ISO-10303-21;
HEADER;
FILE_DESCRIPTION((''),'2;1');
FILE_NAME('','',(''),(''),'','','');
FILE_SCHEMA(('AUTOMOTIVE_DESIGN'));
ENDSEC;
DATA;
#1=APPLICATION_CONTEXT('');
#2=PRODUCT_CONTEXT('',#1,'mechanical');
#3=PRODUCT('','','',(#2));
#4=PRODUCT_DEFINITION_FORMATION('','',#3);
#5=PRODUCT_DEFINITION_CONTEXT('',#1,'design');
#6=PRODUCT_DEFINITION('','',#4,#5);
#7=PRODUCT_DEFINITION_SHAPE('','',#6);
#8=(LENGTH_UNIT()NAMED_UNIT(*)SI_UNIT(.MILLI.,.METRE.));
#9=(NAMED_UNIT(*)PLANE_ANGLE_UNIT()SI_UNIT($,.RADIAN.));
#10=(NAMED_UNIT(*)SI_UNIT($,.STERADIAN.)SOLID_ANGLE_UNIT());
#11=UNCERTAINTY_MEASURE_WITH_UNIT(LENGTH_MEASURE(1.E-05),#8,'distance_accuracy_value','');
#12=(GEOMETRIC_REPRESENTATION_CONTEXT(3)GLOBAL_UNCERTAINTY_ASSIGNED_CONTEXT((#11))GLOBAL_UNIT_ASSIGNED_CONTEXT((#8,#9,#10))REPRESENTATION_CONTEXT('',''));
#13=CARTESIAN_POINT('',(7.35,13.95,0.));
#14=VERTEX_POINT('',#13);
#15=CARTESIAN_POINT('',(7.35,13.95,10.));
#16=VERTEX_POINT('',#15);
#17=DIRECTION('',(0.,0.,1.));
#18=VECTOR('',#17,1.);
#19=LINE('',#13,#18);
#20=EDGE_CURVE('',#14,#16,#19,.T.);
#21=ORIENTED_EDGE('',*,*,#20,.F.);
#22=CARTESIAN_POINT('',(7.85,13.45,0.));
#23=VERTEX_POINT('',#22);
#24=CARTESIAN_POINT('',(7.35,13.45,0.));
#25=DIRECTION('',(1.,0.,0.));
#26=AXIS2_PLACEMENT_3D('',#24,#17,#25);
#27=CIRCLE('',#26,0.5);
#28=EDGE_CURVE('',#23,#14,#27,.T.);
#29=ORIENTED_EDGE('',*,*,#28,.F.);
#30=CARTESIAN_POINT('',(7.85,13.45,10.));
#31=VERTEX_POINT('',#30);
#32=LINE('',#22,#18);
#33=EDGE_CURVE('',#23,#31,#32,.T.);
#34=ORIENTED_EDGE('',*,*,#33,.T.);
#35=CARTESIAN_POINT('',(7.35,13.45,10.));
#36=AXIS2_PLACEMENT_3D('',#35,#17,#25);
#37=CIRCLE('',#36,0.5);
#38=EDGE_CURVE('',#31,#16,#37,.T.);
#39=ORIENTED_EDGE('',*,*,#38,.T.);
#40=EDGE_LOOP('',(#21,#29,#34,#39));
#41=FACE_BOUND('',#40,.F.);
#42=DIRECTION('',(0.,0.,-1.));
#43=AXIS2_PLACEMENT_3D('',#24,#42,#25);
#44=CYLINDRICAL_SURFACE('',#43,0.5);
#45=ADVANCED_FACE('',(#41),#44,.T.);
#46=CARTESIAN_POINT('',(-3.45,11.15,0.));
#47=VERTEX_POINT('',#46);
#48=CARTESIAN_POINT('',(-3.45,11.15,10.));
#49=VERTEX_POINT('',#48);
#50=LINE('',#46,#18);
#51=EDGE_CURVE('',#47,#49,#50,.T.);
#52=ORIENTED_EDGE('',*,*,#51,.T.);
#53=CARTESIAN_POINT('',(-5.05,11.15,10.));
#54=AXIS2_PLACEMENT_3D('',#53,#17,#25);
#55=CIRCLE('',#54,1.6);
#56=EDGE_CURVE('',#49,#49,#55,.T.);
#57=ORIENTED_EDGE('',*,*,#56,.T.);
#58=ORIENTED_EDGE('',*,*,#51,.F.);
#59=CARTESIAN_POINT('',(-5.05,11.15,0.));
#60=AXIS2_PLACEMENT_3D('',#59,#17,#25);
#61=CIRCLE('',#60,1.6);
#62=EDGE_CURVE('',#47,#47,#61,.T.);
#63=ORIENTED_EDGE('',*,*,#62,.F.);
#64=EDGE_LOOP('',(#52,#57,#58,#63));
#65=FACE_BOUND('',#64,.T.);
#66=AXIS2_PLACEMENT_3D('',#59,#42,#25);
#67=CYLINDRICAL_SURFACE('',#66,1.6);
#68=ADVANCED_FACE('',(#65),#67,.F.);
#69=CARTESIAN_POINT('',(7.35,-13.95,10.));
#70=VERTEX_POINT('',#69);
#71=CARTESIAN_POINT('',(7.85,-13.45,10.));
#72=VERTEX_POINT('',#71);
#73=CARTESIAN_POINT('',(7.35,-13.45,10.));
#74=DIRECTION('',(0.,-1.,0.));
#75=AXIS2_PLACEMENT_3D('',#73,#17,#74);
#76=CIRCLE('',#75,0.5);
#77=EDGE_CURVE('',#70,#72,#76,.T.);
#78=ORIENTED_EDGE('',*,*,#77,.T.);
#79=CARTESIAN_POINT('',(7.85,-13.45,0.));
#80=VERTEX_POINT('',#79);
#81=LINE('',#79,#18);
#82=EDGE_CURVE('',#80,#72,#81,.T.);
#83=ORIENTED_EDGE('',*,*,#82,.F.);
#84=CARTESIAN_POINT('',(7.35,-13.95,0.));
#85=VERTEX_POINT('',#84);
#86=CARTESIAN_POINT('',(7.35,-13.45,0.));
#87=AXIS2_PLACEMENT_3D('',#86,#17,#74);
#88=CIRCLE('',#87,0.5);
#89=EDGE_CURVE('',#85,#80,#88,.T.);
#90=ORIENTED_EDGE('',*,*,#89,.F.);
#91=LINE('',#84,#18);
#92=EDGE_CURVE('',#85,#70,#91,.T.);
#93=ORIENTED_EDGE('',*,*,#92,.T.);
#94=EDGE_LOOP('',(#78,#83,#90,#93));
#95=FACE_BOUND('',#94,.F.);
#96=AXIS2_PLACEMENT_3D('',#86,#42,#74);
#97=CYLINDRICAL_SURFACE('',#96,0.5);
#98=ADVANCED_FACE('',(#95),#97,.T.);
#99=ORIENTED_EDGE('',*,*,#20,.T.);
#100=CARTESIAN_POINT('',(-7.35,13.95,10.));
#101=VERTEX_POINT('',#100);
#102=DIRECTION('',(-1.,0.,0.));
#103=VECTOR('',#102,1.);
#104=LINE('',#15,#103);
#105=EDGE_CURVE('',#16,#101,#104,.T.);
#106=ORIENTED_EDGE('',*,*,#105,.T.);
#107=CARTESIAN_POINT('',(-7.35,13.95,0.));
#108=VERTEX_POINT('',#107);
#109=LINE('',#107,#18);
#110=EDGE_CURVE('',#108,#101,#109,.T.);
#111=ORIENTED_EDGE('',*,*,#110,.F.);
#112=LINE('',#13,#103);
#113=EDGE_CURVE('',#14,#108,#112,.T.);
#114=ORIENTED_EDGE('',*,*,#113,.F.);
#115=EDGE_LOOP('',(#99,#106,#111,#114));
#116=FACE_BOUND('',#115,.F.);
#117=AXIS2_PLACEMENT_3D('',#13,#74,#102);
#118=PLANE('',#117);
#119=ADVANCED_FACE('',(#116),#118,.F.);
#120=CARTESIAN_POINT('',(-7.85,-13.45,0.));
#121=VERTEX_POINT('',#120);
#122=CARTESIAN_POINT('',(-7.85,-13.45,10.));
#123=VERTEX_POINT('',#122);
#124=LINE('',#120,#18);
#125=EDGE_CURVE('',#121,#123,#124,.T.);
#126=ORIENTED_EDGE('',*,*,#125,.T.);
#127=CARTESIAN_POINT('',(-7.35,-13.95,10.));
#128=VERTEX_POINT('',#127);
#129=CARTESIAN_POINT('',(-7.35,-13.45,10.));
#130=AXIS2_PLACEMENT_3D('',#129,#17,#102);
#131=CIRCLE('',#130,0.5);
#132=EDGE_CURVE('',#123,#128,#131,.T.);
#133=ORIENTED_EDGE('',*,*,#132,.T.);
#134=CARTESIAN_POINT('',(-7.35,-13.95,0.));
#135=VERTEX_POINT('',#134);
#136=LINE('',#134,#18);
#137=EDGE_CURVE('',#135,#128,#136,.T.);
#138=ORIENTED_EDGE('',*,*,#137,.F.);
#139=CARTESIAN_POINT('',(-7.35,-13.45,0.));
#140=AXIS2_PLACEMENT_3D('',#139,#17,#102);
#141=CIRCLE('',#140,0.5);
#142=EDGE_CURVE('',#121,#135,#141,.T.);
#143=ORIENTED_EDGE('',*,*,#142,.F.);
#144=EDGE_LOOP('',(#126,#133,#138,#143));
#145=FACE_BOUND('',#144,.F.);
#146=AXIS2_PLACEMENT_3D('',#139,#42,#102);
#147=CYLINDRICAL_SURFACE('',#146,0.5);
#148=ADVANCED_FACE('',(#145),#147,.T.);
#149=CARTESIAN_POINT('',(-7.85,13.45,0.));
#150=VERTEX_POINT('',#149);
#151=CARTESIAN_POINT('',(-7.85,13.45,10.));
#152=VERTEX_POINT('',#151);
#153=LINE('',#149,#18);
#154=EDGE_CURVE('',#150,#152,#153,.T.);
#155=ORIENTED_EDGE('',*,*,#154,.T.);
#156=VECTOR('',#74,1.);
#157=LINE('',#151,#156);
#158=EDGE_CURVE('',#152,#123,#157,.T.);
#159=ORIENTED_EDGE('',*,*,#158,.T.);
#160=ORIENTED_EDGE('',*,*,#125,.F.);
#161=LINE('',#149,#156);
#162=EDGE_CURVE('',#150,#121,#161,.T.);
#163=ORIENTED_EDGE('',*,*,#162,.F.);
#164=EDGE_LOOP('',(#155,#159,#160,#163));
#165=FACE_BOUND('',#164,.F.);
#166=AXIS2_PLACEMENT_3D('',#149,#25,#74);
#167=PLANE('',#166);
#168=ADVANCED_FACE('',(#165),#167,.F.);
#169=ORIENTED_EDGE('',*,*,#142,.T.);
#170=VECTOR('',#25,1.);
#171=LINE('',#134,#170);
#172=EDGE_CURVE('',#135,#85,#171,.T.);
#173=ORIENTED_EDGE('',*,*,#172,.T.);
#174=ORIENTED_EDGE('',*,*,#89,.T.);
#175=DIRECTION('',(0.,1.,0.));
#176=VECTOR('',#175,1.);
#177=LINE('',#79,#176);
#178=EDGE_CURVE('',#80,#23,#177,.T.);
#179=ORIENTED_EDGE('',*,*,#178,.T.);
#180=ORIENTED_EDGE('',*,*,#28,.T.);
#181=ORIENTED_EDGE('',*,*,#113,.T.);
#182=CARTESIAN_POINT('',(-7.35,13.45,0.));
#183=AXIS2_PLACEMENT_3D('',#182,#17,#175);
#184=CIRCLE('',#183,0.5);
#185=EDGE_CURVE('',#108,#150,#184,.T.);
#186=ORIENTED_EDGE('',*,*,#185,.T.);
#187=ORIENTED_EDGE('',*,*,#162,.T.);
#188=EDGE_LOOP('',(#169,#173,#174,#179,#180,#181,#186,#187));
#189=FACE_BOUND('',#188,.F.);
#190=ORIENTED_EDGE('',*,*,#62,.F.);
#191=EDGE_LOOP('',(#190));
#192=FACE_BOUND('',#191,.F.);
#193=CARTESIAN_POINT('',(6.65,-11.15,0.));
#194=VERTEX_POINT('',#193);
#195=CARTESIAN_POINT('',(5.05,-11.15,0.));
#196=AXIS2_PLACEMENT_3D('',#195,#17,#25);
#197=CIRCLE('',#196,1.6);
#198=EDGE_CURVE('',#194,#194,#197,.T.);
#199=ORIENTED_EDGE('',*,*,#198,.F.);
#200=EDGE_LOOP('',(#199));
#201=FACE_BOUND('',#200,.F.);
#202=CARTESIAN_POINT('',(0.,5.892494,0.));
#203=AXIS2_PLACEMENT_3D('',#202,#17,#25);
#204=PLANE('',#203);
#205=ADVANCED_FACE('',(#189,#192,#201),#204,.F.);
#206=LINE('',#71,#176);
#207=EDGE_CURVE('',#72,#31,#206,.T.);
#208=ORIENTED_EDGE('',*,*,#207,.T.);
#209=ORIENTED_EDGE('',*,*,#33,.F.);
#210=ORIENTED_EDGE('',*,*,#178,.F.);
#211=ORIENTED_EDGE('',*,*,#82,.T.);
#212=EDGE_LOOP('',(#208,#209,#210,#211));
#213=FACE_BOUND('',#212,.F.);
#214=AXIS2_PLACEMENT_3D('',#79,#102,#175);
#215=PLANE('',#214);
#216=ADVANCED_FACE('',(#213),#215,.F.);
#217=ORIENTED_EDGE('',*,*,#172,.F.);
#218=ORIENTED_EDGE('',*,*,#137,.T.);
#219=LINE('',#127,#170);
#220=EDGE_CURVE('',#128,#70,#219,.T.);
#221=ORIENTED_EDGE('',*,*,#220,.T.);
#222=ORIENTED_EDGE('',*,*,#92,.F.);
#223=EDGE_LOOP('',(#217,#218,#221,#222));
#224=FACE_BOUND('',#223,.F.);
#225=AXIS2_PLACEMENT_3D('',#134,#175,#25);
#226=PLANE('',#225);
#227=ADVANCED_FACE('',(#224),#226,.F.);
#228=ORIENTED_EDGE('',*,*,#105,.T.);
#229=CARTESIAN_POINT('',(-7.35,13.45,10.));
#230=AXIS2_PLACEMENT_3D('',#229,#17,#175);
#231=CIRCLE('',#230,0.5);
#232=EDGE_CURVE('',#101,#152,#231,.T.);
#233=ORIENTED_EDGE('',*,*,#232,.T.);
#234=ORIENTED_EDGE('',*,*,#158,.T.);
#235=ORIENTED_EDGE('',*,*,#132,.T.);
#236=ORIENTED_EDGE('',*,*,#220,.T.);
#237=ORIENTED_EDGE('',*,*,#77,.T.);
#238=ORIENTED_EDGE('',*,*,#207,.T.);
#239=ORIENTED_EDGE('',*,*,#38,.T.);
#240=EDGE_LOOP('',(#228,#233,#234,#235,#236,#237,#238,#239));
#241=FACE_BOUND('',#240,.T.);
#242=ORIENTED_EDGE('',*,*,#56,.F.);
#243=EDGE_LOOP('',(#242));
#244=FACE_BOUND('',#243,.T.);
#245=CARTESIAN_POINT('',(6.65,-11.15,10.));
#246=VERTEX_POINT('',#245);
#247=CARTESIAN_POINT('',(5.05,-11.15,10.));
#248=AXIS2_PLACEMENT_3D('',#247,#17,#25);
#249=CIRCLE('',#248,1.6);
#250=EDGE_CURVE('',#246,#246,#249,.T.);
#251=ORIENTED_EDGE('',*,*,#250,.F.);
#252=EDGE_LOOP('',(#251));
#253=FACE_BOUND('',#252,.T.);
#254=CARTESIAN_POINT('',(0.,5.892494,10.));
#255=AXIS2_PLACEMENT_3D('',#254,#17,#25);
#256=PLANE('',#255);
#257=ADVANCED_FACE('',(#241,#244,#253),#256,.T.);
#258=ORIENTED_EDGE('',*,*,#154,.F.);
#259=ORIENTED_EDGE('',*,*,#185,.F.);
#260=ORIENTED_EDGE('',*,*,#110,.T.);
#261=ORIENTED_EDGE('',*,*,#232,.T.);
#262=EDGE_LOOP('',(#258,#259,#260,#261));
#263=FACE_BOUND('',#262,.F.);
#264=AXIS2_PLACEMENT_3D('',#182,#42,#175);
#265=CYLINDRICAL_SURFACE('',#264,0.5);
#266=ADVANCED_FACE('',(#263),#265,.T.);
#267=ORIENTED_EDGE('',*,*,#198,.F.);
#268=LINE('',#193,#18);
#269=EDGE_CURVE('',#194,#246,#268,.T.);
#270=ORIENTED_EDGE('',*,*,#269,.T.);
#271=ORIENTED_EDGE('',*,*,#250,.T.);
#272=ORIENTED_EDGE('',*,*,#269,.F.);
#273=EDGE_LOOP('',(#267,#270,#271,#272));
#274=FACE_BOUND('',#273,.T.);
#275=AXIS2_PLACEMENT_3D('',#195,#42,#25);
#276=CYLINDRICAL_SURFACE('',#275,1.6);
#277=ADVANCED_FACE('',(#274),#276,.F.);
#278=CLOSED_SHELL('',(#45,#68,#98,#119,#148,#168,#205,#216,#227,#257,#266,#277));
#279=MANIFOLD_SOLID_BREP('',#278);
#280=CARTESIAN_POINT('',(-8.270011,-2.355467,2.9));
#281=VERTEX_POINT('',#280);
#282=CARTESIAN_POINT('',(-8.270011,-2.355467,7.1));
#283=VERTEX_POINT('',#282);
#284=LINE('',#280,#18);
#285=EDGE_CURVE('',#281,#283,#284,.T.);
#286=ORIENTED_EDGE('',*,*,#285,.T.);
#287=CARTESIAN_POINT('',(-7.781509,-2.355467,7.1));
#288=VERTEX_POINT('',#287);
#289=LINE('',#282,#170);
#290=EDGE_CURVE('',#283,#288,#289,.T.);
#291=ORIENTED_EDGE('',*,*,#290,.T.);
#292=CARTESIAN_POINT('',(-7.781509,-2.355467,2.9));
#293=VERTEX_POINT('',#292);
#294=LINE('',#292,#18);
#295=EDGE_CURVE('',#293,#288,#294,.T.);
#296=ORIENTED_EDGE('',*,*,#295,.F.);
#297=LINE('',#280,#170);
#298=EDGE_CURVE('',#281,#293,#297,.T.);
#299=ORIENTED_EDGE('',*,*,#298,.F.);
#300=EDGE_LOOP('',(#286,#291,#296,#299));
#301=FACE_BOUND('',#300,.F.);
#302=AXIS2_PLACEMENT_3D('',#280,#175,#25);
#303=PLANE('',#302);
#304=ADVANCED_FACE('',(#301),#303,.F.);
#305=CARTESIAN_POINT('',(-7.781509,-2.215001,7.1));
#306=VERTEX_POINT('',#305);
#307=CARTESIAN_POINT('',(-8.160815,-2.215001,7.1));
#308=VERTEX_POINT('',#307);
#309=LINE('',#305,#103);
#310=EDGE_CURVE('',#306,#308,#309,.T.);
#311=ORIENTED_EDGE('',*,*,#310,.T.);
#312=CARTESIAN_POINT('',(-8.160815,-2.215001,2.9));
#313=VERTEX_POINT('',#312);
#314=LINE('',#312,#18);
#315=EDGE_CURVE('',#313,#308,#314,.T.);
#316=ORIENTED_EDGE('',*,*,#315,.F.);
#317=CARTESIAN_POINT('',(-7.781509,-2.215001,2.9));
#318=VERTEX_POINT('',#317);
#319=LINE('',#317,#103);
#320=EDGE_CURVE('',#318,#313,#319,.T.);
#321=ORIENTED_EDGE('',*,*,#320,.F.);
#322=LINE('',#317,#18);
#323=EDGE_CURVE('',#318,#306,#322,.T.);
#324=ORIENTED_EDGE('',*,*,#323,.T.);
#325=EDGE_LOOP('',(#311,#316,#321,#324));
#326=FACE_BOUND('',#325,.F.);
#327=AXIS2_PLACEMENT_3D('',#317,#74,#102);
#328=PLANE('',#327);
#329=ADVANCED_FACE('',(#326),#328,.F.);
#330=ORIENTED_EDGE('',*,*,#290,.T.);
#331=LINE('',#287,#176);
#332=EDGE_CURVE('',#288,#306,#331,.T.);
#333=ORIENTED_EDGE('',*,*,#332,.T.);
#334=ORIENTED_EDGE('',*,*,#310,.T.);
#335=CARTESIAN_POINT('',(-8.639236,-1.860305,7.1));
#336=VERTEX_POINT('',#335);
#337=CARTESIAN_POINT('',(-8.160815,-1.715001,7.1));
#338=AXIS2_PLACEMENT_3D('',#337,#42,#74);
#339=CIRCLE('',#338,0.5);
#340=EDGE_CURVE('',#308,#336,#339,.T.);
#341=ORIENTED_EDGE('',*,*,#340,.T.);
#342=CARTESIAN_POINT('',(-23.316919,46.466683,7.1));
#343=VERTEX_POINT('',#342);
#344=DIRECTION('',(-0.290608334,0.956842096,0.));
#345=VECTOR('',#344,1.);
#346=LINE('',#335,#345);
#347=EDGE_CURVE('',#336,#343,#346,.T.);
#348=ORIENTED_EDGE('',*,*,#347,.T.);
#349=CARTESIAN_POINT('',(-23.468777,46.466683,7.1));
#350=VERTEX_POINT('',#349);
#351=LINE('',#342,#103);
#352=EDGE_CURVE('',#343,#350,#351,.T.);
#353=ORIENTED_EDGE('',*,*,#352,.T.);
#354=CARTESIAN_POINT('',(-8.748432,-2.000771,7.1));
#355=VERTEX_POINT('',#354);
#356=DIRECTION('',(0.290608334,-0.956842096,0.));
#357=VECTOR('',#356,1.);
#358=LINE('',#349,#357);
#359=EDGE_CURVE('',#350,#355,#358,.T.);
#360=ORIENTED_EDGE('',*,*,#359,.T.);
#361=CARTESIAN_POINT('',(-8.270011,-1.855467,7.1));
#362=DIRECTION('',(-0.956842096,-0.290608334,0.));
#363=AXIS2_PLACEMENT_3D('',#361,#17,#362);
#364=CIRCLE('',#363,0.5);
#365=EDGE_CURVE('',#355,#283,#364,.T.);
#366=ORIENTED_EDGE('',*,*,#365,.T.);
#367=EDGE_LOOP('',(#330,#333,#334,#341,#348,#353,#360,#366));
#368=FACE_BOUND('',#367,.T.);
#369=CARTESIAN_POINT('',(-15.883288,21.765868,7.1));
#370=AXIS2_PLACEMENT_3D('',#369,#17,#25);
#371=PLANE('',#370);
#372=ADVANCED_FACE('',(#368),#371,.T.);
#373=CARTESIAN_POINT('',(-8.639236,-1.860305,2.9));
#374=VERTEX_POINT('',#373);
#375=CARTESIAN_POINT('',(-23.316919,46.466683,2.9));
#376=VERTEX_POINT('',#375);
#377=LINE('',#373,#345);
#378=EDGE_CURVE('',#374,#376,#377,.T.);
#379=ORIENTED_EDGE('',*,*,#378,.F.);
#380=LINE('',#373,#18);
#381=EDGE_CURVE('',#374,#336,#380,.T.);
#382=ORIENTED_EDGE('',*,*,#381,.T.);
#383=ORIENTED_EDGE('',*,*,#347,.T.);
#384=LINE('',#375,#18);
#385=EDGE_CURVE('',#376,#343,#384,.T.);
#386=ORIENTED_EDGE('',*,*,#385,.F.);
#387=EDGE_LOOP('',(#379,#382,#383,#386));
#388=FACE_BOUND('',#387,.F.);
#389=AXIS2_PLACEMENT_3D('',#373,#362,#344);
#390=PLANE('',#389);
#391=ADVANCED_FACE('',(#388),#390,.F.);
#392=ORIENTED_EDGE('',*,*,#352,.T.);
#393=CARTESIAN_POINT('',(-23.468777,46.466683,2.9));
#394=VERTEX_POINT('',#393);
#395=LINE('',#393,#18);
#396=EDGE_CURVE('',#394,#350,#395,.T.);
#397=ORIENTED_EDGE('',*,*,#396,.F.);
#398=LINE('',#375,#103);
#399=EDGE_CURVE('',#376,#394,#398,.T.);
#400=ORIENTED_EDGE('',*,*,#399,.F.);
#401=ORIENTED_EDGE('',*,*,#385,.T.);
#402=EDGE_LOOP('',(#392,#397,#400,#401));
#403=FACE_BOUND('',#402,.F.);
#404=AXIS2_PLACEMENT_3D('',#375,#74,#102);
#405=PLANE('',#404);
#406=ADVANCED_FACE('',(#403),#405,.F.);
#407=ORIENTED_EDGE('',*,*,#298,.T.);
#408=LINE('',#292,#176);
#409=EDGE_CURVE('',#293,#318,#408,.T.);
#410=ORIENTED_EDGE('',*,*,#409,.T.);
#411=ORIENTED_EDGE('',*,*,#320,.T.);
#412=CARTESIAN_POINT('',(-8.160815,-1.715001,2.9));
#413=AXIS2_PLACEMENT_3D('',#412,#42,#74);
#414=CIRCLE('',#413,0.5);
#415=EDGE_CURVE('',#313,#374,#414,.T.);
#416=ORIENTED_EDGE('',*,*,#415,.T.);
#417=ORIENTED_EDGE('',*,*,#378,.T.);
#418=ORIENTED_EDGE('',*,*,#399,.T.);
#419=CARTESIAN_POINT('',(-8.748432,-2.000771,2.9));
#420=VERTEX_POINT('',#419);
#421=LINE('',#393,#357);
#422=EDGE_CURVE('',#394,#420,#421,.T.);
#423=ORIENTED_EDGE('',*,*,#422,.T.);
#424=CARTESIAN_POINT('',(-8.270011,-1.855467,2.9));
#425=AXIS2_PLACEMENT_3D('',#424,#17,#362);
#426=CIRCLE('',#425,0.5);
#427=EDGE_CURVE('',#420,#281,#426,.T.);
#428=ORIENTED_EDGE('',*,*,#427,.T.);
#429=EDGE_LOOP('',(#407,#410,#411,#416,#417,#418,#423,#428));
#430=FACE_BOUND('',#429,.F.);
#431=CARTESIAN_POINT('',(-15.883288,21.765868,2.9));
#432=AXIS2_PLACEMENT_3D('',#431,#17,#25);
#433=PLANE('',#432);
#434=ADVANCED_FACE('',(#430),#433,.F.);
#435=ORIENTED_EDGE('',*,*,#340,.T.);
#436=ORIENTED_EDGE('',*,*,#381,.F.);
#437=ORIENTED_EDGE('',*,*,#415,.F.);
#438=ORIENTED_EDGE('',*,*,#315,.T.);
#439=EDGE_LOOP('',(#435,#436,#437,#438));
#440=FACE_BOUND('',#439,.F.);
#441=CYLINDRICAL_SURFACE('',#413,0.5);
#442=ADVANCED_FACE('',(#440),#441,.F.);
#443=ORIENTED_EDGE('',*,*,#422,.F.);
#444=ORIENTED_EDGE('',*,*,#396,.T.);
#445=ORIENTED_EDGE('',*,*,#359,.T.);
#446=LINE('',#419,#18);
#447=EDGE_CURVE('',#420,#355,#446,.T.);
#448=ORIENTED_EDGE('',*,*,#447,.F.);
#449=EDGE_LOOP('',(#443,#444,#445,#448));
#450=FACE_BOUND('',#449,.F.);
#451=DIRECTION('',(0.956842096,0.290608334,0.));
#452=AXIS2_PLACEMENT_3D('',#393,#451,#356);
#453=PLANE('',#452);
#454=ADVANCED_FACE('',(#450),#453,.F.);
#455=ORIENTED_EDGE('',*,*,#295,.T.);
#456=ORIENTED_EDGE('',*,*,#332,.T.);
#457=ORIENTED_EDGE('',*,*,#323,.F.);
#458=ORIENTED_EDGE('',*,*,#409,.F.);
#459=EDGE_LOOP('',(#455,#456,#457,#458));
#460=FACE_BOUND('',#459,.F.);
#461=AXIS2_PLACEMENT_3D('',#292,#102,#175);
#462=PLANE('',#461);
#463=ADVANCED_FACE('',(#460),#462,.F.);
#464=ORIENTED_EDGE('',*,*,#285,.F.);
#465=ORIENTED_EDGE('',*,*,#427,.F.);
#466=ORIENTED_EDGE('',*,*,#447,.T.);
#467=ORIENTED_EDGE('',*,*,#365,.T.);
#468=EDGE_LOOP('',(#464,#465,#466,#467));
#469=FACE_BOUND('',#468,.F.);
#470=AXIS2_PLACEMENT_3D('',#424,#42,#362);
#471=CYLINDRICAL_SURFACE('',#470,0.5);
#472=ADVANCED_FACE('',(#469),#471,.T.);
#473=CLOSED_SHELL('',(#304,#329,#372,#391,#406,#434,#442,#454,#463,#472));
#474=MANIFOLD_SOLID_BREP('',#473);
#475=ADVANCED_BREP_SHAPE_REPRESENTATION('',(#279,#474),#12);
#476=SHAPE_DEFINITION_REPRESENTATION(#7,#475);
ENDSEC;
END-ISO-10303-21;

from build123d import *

# Parameters (mm, degrees)
F0_R     = 1.6
F1_DEPTH = 10
F4_DEPTH = 4.2


with BuildPart() as f1:
    # F0 (on Top) → F1 (new body)
    with BuildSketch(Plane.XY):
        with BuildLine():
            Line((-5.05, 13.95), (-7.35, 13.95))
            ThreePointArc((-7.35, 13.95), (-7.7035533906, 13.8035533906), (-7.85, 13.45))
            Line((-7.85, 13.45), (-7.85, -2.05))
            Line((-7.85, -2.05), (7.85, -2.05))
            Line((7.85, -2.05), (7.85, 13.45))
            ThreePointArc((7.85, 13.45), (7.7035533906, 13.8035533906), (7.35, 13.95))
            Line((7.35, 13.95), (-5.05, 13.95))
        make_face()
        with Locations((-5.05, 11.15)):
            Circle(F0_R, mode=Mode.SUBTRACT)
        with BuildLine():
            Line((7.85, -2.05), (-7.85, -2.05))
            Line((-7.85, -2.05), (-7.85, -13.45))
            ThreePointArc((-7.85, -13.45), (-7.7035533906, -13.8035533906), (-7.35, -13.95))
            Line((-7.35, -13.95), (5.05, -13.95))
            Line((5.05, -13.95), (7.35, -13.95))
            ThreePointArc((7.35, -13.95), (7.7035533906, -13.8035533906), (7.85, -13.45))
            Line((7.85, -13.45), (7.85, -11.15))
            Line((7.85, -11.15), (7.85, -2.05))
        make_face()
        with Locations((5.05, -11.15)):
            Circle(F0_R, mode=Mode.SUBTRACT)
    extrude(amount=F1_DEPTH)


with BuildPart() as f4:
    # F3 (on offset) → F4 (new body)
    with BuildSketch(Plane.XY.offset(2.9)):
        with BuildLine():
            Line((-7.7815089673, -2.355466623), (-7.7815089673, -2.2150006499))
            Line((-7.7815089673, -2.2150006499), (-8.1608147489, -2.2150006499))
            ThreePointArc((-8.1608147489, -2.2150006499), (-8.458596478, -2.116654782), (-8.6392357967, -1.8603048171))
            Line((-8.6392357967, -1.8603048171), (-23.3169193168, 46.4666830646))
            Line((-23.3169193168, 46.4666830646), (-23.4687773589, 46.4666830646))
            Line((-23.4687773588, 46.4666830646), (-8.7484320635, -2.0007707902))
            ThreePointArc((-8.7484320635, -2.0007707902), (-8.5677927448, -2.2571207551), (-8.2700110157, -2.355466623))
            Line((-8.2700110157, -2.355466623), (-7.7815089673, -2.355466623))
        make_face()
    extrude(amount=F4_DEPTH)


with BuildPart() as f4b:
    # F3 (on offset) → F4, piece 2 (new body)
    with BuildSketch(Plane.XY.offset(2.9)):
        with BuildLine():
            Line((-7.7815089673, -1.8303291872), (-7.7815089673, -1.2152291602))
            ThreePointArc((-7.7815089673, -1.2152291602), (-8.3503129715, -1.5227791737), (-7.7815089673, -1.8303291872))
        make_face()
    extrude(amount=F4_DEPTH)


solid = Compound([f1.part, f4.part])
